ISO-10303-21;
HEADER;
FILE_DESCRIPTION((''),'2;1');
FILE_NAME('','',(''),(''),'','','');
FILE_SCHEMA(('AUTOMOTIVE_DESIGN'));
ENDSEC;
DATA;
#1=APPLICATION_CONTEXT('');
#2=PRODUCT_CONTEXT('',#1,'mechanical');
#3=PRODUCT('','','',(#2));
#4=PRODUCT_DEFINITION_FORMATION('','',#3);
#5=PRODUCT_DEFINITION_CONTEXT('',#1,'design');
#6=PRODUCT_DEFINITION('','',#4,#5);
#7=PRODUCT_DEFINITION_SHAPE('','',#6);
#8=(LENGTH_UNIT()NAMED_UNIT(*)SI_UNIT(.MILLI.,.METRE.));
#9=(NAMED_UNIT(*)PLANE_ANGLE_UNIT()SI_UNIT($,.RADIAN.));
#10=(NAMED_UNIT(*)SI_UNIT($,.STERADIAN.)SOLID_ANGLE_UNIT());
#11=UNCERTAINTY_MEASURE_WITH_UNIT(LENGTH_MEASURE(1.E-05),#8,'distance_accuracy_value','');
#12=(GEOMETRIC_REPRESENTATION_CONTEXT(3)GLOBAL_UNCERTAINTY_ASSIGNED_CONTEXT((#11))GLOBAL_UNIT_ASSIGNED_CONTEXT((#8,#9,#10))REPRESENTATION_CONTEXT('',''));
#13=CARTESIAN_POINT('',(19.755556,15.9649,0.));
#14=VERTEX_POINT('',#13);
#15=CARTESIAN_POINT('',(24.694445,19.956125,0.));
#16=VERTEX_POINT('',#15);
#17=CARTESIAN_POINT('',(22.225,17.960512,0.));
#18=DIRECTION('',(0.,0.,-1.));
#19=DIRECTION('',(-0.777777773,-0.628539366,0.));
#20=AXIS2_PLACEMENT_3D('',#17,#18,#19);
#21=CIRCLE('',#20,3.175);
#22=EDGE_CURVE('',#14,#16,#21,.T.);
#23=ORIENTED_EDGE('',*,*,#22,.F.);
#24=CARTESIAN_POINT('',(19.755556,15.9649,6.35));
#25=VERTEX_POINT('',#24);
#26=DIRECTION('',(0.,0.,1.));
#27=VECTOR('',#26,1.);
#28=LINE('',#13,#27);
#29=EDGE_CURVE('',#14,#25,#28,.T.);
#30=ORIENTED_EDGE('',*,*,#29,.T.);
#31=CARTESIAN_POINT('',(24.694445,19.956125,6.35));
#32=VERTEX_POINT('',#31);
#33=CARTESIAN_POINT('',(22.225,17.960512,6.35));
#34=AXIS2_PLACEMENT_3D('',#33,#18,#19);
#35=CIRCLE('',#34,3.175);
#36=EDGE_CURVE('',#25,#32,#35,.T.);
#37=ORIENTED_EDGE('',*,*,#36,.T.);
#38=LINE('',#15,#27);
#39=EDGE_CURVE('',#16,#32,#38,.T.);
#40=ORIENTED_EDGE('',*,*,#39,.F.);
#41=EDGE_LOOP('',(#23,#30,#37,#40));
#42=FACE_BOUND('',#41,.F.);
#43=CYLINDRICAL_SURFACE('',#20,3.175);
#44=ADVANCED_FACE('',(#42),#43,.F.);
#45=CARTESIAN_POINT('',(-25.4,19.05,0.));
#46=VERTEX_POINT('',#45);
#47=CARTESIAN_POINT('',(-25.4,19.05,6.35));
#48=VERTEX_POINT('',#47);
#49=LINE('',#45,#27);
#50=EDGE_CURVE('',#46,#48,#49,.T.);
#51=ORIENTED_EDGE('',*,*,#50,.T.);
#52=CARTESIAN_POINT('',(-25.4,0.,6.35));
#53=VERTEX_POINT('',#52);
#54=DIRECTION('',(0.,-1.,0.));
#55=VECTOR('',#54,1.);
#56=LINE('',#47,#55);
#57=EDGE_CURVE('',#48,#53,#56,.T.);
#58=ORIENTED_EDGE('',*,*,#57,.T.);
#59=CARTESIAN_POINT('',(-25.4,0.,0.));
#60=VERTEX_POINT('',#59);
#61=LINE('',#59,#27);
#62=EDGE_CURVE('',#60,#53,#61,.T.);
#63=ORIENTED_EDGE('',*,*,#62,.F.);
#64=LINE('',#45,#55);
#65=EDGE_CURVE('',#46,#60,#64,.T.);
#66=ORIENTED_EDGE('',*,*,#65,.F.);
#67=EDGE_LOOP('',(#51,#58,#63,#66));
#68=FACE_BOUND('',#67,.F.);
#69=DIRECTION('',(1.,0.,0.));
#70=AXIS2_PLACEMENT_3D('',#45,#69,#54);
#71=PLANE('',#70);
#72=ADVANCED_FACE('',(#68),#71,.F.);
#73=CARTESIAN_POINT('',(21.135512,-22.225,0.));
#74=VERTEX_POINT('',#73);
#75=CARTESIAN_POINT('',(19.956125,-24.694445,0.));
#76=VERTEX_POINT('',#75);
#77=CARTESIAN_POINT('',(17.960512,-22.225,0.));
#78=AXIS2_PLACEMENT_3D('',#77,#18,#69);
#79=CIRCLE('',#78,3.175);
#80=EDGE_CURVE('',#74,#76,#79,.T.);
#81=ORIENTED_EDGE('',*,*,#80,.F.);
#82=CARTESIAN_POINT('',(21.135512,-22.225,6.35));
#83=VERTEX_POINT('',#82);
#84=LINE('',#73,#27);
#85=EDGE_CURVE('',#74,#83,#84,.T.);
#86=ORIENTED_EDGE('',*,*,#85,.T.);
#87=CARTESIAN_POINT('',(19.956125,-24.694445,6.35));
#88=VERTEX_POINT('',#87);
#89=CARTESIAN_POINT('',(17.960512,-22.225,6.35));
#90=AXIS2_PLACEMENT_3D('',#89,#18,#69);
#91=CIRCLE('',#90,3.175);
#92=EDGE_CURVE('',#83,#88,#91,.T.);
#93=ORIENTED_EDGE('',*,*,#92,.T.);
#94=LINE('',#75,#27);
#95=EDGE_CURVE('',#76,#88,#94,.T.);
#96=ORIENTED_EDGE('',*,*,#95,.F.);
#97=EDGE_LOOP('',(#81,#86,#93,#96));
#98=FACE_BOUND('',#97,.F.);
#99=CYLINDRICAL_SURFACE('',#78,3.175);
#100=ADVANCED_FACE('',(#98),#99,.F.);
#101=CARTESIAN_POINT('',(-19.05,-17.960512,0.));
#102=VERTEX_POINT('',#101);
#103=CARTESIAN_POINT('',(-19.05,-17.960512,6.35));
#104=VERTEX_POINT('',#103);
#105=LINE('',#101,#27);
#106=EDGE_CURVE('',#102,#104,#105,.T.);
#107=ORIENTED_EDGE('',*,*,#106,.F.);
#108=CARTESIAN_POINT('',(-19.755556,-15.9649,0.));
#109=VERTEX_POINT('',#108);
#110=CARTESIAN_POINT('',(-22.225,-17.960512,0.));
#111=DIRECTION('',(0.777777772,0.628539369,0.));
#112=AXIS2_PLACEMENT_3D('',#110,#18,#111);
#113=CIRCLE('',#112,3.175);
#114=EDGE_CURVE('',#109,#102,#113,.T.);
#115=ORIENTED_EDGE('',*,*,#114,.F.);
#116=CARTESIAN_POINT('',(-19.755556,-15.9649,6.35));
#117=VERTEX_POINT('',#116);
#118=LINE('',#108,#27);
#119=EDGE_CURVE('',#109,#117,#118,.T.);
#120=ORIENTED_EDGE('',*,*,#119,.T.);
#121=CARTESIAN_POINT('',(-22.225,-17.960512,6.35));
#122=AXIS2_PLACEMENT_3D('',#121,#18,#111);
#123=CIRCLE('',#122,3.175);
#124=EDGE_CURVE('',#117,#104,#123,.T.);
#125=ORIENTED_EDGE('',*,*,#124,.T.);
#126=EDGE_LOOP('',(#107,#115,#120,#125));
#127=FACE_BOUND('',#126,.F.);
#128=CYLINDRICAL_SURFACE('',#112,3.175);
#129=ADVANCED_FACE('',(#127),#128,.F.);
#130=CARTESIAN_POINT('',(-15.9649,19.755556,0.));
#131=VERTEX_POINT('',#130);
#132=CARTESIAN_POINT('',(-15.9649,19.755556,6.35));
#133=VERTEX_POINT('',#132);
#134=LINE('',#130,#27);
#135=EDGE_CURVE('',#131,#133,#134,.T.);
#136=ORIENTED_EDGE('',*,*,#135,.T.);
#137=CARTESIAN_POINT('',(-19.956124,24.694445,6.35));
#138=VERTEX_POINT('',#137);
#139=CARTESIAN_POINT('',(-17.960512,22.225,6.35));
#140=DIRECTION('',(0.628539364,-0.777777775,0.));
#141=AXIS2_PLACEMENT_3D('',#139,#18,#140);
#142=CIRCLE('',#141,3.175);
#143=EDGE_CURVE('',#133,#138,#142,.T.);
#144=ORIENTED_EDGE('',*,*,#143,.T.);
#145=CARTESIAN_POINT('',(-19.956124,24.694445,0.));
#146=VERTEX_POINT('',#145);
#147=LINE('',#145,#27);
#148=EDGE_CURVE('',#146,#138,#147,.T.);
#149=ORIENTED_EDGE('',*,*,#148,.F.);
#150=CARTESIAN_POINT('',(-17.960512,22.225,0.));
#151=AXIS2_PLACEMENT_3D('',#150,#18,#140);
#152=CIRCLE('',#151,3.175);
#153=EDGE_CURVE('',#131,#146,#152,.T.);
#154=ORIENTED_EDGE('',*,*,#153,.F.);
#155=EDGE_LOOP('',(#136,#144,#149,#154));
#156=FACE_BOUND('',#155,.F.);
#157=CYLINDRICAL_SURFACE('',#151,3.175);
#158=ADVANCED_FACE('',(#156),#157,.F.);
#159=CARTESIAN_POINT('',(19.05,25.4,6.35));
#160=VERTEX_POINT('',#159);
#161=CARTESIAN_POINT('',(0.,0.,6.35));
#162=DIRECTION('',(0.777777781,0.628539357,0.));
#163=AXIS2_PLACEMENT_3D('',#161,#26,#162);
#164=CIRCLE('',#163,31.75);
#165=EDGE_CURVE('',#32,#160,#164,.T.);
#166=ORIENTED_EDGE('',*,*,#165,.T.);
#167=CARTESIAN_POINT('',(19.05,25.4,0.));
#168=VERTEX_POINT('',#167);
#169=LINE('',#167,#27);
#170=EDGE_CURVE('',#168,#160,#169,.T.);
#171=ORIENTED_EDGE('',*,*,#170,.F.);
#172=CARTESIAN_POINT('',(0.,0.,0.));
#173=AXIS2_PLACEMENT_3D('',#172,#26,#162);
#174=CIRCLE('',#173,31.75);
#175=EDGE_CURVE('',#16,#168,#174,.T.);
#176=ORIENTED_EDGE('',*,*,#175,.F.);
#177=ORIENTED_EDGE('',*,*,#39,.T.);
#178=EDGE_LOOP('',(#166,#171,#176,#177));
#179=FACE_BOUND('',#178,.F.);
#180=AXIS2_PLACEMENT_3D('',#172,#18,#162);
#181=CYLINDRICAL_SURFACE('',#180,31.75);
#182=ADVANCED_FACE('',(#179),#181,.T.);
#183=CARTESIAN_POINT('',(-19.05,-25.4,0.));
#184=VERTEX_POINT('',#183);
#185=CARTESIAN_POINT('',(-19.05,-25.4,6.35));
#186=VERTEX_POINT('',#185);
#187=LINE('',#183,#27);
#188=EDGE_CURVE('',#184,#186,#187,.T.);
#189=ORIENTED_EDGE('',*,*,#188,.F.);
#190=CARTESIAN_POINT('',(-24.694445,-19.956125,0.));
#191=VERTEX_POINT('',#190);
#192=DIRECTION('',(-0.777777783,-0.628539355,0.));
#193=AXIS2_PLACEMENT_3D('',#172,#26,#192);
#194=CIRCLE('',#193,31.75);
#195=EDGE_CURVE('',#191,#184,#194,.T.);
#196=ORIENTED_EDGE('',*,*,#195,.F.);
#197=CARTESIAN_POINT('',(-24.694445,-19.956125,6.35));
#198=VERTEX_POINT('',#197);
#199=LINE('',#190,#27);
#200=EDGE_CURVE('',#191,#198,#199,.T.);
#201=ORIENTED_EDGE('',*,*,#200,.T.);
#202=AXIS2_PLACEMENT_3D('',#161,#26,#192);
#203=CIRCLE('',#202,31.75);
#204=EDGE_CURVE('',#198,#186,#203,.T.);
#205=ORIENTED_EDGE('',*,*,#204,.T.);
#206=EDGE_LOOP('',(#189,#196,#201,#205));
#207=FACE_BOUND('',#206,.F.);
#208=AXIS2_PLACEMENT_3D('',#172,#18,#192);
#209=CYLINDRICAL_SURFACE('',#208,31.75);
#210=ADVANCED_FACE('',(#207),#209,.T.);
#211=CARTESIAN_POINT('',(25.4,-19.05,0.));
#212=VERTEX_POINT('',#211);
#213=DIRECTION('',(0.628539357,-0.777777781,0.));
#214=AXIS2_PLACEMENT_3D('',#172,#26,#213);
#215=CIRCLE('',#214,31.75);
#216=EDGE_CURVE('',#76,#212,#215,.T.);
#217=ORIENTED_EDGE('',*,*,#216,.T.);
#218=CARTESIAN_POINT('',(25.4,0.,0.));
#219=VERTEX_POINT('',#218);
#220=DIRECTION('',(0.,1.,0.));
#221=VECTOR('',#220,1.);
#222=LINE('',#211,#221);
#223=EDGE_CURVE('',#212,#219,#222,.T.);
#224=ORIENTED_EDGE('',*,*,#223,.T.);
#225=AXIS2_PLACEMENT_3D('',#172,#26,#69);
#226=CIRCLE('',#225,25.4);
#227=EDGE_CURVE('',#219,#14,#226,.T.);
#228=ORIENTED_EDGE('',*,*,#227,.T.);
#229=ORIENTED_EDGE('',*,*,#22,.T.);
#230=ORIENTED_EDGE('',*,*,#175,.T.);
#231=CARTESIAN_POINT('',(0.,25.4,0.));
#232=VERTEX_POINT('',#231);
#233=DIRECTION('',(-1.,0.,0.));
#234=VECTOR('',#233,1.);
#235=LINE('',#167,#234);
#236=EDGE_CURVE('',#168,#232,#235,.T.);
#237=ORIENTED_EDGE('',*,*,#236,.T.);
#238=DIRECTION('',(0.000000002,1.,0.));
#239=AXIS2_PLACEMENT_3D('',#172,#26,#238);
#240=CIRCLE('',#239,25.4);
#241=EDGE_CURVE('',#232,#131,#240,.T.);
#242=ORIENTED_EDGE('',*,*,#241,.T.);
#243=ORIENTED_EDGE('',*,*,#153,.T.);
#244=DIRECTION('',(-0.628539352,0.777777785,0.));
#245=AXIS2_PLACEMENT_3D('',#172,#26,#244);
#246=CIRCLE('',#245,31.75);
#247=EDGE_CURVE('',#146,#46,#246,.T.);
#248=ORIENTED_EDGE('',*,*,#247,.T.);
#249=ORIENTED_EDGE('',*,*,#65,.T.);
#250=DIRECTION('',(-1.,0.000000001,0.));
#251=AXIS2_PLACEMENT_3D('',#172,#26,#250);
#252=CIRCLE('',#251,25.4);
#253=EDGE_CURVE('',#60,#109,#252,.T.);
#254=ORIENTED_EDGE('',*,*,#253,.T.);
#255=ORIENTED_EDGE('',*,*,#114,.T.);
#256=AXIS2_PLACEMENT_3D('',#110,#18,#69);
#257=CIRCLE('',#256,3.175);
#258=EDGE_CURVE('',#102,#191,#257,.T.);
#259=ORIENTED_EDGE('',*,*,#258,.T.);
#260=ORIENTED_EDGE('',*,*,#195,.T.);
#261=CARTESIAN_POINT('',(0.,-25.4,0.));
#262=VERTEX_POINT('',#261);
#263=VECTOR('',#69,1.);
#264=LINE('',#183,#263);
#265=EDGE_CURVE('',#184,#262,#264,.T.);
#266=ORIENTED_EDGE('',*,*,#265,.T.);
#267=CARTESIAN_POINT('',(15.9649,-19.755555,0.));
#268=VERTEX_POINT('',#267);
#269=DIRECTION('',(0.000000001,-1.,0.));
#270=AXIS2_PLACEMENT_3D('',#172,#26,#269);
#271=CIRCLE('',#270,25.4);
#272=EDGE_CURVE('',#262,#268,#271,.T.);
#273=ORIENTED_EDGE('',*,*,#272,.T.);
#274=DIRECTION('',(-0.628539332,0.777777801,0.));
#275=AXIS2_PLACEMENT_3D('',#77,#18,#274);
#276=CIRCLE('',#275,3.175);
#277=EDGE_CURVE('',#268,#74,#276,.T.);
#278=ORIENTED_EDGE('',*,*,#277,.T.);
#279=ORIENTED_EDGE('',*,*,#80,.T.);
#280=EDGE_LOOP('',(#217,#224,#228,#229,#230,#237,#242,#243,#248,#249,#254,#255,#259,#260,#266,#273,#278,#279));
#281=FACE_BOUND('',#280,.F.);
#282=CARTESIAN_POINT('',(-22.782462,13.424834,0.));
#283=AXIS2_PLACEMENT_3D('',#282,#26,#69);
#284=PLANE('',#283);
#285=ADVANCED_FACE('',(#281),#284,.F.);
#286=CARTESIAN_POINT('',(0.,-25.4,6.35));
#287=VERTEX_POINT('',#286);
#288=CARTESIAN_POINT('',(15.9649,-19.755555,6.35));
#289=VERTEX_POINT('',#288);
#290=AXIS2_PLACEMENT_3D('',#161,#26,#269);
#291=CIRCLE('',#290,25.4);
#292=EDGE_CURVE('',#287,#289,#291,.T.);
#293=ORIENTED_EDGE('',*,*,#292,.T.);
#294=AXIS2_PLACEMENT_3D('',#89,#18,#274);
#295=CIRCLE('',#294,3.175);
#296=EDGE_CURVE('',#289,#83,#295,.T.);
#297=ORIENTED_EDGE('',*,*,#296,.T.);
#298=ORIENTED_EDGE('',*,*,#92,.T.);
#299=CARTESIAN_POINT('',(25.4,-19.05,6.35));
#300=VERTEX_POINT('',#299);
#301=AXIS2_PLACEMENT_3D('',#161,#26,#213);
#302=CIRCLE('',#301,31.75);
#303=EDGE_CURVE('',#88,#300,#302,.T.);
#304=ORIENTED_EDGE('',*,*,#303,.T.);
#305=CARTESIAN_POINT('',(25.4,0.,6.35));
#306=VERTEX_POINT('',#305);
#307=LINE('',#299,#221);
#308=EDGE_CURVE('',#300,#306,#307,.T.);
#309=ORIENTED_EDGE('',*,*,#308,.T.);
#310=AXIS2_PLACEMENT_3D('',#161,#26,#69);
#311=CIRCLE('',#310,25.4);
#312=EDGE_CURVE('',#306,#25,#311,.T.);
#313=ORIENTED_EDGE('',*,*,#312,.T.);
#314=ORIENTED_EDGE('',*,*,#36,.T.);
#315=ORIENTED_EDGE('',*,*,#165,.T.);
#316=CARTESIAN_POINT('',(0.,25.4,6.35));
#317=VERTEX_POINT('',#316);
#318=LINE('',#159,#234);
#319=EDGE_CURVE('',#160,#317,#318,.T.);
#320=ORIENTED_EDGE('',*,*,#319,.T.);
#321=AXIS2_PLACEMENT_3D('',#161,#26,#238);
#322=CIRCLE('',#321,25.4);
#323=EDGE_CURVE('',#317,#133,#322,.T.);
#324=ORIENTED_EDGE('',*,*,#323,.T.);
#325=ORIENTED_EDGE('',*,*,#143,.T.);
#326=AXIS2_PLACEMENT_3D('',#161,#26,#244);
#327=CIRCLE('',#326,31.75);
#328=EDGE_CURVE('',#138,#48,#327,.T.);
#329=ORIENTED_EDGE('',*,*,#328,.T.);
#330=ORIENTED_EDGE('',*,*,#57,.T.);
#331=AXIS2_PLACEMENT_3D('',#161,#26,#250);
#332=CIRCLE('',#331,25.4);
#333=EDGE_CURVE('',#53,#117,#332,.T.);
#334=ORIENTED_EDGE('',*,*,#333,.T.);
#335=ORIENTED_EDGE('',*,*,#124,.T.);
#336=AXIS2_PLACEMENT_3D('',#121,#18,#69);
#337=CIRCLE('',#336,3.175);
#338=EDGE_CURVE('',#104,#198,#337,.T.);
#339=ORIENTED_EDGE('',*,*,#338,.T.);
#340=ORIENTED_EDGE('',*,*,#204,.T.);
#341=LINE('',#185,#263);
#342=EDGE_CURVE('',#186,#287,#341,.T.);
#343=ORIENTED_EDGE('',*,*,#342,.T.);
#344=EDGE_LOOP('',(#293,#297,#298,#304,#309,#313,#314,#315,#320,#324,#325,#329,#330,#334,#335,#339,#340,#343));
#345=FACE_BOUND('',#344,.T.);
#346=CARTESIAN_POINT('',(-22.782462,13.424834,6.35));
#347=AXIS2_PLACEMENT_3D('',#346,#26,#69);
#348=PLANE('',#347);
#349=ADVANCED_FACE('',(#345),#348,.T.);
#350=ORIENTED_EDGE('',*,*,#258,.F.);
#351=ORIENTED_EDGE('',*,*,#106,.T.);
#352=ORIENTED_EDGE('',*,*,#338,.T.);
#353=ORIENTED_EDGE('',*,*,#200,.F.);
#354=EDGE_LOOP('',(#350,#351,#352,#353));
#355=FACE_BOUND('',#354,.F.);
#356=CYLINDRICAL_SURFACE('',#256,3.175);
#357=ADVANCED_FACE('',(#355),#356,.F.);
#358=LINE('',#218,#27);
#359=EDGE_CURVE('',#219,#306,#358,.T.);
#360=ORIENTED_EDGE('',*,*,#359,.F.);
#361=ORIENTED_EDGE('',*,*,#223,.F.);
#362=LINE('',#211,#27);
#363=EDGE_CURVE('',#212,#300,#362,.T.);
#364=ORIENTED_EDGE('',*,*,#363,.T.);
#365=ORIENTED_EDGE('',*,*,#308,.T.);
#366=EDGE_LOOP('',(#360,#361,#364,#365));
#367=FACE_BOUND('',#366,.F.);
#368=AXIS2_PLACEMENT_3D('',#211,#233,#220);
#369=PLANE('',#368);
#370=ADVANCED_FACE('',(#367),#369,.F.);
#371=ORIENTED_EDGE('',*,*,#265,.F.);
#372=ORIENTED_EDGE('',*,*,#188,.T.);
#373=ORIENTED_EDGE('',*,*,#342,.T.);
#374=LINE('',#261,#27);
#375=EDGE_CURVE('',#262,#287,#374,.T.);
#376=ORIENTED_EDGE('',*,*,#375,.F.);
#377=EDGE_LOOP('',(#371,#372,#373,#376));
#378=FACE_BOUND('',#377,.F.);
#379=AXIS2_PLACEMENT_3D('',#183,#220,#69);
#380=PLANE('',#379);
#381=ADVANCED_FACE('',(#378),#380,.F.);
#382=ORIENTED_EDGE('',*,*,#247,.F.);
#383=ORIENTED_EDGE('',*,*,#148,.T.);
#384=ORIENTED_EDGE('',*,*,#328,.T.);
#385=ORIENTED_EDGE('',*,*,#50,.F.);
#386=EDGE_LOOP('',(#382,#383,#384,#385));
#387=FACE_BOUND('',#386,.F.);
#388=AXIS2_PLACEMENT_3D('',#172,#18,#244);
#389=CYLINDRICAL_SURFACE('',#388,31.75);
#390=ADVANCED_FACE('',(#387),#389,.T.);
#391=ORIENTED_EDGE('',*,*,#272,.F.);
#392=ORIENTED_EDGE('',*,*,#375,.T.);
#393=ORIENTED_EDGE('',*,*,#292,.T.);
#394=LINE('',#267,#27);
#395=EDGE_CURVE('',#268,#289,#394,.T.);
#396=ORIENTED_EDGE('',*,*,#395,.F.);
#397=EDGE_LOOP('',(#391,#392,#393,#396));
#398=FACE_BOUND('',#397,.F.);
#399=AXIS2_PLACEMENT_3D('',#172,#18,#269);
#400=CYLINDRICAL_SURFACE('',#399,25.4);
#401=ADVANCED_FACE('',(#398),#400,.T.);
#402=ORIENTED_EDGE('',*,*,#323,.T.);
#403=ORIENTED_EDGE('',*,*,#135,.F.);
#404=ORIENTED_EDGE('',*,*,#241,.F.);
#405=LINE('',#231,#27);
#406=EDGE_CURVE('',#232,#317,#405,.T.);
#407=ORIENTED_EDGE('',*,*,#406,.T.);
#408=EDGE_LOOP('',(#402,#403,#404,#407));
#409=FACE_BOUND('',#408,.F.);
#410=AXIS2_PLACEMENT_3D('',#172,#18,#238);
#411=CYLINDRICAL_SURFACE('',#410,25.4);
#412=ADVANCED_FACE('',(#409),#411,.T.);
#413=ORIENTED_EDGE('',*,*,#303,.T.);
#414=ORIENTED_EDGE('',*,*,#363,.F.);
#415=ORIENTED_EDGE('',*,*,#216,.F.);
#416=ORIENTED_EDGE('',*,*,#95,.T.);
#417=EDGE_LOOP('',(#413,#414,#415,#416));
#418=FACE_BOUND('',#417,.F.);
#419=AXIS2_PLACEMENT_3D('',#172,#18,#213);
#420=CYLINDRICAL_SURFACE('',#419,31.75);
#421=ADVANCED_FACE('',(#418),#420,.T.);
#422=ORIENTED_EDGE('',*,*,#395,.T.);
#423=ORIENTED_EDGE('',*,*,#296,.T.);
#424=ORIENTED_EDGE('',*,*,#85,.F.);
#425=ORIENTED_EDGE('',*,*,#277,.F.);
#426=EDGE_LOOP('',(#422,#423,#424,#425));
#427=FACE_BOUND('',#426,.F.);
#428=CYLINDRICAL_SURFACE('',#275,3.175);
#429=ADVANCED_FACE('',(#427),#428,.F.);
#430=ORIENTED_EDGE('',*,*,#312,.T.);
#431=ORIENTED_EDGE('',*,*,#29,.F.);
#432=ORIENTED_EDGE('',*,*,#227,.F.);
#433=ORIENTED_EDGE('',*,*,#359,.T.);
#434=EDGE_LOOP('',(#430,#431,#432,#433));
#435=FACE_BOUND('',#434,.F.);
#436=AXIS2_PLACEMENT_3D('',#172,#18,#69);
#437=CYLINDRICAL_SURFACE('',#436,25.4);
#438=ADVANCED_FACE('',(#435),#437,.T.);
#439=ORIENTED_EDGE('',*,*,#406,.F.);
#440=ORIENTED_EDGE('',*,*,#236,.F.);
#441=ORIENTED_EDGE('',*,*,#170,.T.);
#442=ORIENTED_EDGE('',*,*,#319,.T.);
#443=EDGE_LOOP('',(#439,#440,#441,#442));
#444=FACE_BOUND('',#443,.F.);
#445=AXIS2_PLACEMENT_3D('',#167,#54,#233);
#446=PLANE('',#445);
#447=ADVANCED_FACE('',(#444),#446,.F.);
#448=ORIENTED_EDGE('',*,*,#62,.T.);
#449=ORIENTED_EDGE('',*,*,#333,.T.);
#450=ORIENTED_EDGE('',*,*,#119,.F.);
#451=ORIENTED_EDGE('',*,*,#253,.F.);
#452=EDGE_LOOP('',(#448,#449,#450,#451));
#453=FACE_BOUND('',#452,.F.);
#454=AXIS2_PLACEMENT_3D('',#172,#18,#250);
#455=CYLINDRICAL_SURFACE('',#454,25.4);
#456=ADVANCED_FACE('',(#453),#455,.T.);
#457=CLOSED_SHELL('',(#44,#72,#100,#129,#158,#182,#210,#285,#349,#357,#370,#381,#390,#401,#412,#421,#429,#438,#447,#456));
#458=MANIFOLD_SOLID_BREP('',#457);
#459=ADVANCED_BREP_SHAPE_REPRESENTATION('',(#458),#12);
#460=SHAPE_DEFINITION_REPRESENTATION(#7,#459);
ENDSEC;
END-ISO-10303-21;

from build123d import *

# Parameters (mm, degrees)
F1_DEPTH = 6.35


with BuildPart() as f1:
    # F0 (on Top) → F1 (new body)
    with BuildSketch(Plane.XY):
        with BuildLine():
            Line((-25.4, 19.05), (-25.4, 3.44e-08))
            ThreePointArc((-25.4, 3.44e-08), (-22.9201707372, 10.9464959406), (-15.9648997609, 19.7555555636))
            ThreePointArc((-15.9648997609, 19.7555555636), (-20.4299568047, 20.2293876748), (-19.9561244112, 24.6944446887))
            ThreePointArc((-19.9561244112, 24.6944446887), (-22.8529963979, 22.0409404436), (-25.4, 19.05))
        make_face()
        with BuildLine():
            ThreePointArc((15.9648998628, -19.7555554812), (22.9201707729, -10.9464958659), (25.4, 0))
            ThreePointArc((25.4, 0), (23.9473496599, 8.4666666562), (19.7555555694, 15.9648997536))
            ThreePointArc((19.7555555694, 15.9648997536), (10.9464959513, 22.9201707321), (4.89e-08, 25.4))
            ThreePointArc((4.89e-08, 25.4), (-8.4666666376, 23.9473496665), (-15.9648997609, 19.7555555636))
            ThreePointArc((-15.9648997609, 19.7555555636), (-22.9201707372, 10.9464959406), (-25.4, 3.44e-08))
            ThreePointArc((-25.4, 3.44e-08), (-23.947349667, -8.4666666362), (-19.7555555746, -15.9648997473))
            ThreePointArc((-19.7555555746, -15.9648997473), (-10.9464959193, -22.9201707474), (3.01e-08, -25.4))
            ThreePointArc((3.01e-08, -25.4), (8.4666667367, -23.9473496314), (15.9648998628, -19.7555554812))
        make_face()
        with BuildLine():
            ThreePointArc((19.9561245838, -24.6944445493), (22.8529964749, -22.0409403637), (25.4, -19.05))
            Line((25.4, -19.05), (25.4, 0))
            ThreePointArc((25.4, 0), (22.9201707729, -10.9464958659), (15.9648998628, -19.7555554812))
            ThreePointArc((15.9648998628, -19.7555554812), (19.3288242854, -19.3599786821), (21.1355122421, -22.225))
            ThreePointArc((21.1355122421, -22.225), (20.8255335496, -23.5933120651), (19.9561245838, -24.6944445493))
        make_face()
        with BuildLine():
            ThreePointArc((4.89e-08, 25.4), (10.9464959513, 22.9201707321), (19.7555555694, 15.9648997536))
            ThreePointArc((19.7555555694, 15.9648997536), (20.2293875867, 20.4299567335), (24.6944445522, 19.9561245802))
            ThreePointArc((24.6944445522, 19.9561245802), (22.0409403654, 22.8529964733), (19.05, 25.4))
            Line((19.05, 25.4), (4.89e-08, 25.4))
        make_face()
        with BuildLine():
            ThreePointArc((-24.6944445978, -19.9561245237), (-22.0409403915, -22.8529964481), (-19.05, -25.4))
            Line((-19.05, -25.4), (3.01e-08, -25.4))
            ThreePointArc((3.01e-08, -25.4), (-10.9464959193, -22.9201707474), (-19.7555555746, -15.9648997473))
            ThreePointArc((-19.7555555746, -15.9648997473), (-19.231581298, -16.9021788946), (-19.05, -17.9605122421))
            ThreePointArc((-19.05, -17.9605122421), (-21.1666667817, -20.9539309898), (-24.6944445978, -19.9561245237))
        make_face()
    extrude(amount=F1_DEPTH)


solid = f1.part
